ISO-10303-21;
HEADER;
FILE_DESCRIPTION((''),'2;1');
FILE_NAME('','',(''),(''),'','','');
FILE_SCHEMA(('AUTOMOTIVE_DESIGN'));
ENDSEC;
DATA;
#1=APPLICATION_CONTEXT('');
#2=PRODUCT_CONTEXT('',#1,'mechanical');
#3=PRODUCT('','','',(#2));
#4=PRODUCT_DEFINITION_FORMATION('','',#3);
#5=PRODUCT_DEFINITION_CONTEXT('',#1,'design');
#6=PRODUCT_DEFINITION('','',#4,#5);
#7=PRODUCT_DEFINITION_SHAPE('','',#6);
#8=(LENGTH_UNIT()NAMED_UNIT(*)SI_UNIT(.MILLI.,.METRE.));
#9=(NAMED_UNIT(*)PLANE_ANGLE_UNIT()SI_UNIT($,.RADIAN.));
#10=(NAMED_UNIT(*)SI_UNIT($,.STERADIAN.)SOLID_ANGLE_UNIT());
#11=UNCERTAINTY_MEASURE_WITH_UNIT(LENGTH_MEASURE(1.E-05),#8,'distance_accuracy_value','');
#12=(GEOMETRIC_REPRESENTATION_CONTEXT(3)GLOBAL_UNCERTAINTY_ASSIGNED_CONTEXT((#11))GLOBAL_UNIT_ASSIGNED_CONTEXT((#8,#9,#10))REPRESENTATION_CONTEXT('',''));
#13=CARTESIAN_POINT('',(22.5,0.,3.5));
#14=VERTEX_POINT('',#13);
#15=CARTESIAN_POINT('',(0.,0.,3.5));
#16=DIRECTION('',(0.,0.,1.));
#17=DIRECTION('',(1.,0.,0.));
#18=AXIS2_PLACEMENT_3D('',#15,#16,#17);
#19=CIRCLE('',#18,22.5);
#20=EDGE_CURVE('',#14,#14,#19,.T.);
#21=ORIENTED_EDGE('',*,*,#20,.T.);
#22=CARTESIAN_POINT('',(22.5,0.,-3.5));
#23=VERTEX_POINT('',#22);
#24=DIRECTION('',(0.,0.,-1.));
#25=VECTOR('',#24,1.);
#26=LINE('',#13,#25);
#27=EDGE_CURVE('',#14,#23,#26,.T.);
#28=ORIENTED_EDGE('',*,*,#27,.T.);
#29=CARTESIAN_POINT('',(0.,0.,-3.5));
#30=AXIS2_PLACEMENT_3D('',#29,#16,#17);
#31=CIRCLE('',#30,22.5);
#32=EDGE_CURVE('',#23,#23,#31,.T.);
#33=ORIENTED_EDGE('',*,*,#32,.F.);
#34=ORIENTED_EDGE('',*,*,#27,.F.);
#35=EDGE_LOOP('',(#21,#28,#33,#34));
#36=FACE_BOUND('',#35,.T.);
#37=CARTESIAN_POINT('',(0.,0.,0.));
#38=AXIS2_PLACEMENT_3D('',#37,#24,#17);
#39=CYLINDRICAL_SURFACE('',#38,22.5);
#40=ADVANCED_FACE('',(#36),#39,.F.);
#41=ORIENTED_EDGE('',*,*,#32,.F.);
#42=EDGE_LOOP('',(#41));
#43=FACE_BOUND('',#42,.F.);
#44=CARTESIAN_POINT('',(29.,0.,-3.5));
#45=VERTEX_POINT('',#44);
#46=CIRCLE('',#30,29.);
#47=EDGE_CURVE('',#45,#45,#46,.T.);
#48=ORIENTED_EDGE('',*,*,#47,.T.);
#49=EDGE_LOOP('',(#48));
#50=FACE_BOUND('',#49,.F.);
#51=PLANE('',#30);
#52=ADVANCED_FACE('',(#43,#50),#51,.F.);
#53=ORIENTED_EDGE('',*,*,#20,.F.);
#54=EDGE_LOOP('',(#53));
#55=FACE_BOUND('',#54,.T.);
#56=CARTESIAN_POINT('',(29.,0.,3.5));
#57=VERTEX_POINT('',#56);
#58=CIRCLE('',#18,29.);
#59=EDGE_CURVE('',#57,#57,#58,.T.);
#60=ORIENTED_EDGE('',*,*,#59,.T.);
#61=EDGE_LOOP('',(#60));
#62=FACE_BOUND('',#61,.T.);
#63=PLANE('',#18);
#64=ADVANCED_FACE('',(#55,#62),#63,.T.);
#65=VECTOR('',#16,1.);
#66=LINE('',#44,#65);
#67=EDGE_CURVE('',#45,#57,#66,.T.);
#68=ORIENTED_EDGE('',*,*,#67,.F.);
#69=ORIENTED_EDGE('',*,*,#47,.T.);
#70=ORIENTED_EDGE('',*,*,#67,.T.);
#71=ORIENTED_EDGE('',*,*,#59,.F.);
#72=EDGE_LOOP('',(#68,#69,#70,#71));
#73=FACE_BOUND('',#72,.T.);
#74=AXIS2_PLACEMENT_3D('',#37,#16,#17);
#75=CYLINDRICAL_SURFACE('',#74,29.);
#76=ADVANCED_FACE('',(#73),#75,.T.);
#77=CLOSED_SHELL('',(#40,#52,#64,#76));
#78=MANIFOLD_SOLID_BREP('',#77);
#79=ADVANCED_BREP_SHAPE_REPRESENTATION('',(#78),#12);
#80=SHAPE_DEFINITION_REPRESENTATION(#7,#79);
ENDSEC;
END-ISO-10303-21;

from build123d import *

# Parameters (mm, degrees)
SKETCH1_R           = 29
SKETCH1_R_2         = 22.5
BOSS_EXTRUDE1_DEPTH = 3.5


with BuildPart() as part:
    # Sketch1 → Boss-Extrude1 (new body, symmetric)
    with BuildSketch(Plane.XY):
        Circle(SKETCH1_R)
        Circle(SKETCH1_R_2, mode=Mode.SUBTRACT)
    extrude(amount=BOSS_EXTRUDE1_DEPTH, both=True)


solid = part.part
